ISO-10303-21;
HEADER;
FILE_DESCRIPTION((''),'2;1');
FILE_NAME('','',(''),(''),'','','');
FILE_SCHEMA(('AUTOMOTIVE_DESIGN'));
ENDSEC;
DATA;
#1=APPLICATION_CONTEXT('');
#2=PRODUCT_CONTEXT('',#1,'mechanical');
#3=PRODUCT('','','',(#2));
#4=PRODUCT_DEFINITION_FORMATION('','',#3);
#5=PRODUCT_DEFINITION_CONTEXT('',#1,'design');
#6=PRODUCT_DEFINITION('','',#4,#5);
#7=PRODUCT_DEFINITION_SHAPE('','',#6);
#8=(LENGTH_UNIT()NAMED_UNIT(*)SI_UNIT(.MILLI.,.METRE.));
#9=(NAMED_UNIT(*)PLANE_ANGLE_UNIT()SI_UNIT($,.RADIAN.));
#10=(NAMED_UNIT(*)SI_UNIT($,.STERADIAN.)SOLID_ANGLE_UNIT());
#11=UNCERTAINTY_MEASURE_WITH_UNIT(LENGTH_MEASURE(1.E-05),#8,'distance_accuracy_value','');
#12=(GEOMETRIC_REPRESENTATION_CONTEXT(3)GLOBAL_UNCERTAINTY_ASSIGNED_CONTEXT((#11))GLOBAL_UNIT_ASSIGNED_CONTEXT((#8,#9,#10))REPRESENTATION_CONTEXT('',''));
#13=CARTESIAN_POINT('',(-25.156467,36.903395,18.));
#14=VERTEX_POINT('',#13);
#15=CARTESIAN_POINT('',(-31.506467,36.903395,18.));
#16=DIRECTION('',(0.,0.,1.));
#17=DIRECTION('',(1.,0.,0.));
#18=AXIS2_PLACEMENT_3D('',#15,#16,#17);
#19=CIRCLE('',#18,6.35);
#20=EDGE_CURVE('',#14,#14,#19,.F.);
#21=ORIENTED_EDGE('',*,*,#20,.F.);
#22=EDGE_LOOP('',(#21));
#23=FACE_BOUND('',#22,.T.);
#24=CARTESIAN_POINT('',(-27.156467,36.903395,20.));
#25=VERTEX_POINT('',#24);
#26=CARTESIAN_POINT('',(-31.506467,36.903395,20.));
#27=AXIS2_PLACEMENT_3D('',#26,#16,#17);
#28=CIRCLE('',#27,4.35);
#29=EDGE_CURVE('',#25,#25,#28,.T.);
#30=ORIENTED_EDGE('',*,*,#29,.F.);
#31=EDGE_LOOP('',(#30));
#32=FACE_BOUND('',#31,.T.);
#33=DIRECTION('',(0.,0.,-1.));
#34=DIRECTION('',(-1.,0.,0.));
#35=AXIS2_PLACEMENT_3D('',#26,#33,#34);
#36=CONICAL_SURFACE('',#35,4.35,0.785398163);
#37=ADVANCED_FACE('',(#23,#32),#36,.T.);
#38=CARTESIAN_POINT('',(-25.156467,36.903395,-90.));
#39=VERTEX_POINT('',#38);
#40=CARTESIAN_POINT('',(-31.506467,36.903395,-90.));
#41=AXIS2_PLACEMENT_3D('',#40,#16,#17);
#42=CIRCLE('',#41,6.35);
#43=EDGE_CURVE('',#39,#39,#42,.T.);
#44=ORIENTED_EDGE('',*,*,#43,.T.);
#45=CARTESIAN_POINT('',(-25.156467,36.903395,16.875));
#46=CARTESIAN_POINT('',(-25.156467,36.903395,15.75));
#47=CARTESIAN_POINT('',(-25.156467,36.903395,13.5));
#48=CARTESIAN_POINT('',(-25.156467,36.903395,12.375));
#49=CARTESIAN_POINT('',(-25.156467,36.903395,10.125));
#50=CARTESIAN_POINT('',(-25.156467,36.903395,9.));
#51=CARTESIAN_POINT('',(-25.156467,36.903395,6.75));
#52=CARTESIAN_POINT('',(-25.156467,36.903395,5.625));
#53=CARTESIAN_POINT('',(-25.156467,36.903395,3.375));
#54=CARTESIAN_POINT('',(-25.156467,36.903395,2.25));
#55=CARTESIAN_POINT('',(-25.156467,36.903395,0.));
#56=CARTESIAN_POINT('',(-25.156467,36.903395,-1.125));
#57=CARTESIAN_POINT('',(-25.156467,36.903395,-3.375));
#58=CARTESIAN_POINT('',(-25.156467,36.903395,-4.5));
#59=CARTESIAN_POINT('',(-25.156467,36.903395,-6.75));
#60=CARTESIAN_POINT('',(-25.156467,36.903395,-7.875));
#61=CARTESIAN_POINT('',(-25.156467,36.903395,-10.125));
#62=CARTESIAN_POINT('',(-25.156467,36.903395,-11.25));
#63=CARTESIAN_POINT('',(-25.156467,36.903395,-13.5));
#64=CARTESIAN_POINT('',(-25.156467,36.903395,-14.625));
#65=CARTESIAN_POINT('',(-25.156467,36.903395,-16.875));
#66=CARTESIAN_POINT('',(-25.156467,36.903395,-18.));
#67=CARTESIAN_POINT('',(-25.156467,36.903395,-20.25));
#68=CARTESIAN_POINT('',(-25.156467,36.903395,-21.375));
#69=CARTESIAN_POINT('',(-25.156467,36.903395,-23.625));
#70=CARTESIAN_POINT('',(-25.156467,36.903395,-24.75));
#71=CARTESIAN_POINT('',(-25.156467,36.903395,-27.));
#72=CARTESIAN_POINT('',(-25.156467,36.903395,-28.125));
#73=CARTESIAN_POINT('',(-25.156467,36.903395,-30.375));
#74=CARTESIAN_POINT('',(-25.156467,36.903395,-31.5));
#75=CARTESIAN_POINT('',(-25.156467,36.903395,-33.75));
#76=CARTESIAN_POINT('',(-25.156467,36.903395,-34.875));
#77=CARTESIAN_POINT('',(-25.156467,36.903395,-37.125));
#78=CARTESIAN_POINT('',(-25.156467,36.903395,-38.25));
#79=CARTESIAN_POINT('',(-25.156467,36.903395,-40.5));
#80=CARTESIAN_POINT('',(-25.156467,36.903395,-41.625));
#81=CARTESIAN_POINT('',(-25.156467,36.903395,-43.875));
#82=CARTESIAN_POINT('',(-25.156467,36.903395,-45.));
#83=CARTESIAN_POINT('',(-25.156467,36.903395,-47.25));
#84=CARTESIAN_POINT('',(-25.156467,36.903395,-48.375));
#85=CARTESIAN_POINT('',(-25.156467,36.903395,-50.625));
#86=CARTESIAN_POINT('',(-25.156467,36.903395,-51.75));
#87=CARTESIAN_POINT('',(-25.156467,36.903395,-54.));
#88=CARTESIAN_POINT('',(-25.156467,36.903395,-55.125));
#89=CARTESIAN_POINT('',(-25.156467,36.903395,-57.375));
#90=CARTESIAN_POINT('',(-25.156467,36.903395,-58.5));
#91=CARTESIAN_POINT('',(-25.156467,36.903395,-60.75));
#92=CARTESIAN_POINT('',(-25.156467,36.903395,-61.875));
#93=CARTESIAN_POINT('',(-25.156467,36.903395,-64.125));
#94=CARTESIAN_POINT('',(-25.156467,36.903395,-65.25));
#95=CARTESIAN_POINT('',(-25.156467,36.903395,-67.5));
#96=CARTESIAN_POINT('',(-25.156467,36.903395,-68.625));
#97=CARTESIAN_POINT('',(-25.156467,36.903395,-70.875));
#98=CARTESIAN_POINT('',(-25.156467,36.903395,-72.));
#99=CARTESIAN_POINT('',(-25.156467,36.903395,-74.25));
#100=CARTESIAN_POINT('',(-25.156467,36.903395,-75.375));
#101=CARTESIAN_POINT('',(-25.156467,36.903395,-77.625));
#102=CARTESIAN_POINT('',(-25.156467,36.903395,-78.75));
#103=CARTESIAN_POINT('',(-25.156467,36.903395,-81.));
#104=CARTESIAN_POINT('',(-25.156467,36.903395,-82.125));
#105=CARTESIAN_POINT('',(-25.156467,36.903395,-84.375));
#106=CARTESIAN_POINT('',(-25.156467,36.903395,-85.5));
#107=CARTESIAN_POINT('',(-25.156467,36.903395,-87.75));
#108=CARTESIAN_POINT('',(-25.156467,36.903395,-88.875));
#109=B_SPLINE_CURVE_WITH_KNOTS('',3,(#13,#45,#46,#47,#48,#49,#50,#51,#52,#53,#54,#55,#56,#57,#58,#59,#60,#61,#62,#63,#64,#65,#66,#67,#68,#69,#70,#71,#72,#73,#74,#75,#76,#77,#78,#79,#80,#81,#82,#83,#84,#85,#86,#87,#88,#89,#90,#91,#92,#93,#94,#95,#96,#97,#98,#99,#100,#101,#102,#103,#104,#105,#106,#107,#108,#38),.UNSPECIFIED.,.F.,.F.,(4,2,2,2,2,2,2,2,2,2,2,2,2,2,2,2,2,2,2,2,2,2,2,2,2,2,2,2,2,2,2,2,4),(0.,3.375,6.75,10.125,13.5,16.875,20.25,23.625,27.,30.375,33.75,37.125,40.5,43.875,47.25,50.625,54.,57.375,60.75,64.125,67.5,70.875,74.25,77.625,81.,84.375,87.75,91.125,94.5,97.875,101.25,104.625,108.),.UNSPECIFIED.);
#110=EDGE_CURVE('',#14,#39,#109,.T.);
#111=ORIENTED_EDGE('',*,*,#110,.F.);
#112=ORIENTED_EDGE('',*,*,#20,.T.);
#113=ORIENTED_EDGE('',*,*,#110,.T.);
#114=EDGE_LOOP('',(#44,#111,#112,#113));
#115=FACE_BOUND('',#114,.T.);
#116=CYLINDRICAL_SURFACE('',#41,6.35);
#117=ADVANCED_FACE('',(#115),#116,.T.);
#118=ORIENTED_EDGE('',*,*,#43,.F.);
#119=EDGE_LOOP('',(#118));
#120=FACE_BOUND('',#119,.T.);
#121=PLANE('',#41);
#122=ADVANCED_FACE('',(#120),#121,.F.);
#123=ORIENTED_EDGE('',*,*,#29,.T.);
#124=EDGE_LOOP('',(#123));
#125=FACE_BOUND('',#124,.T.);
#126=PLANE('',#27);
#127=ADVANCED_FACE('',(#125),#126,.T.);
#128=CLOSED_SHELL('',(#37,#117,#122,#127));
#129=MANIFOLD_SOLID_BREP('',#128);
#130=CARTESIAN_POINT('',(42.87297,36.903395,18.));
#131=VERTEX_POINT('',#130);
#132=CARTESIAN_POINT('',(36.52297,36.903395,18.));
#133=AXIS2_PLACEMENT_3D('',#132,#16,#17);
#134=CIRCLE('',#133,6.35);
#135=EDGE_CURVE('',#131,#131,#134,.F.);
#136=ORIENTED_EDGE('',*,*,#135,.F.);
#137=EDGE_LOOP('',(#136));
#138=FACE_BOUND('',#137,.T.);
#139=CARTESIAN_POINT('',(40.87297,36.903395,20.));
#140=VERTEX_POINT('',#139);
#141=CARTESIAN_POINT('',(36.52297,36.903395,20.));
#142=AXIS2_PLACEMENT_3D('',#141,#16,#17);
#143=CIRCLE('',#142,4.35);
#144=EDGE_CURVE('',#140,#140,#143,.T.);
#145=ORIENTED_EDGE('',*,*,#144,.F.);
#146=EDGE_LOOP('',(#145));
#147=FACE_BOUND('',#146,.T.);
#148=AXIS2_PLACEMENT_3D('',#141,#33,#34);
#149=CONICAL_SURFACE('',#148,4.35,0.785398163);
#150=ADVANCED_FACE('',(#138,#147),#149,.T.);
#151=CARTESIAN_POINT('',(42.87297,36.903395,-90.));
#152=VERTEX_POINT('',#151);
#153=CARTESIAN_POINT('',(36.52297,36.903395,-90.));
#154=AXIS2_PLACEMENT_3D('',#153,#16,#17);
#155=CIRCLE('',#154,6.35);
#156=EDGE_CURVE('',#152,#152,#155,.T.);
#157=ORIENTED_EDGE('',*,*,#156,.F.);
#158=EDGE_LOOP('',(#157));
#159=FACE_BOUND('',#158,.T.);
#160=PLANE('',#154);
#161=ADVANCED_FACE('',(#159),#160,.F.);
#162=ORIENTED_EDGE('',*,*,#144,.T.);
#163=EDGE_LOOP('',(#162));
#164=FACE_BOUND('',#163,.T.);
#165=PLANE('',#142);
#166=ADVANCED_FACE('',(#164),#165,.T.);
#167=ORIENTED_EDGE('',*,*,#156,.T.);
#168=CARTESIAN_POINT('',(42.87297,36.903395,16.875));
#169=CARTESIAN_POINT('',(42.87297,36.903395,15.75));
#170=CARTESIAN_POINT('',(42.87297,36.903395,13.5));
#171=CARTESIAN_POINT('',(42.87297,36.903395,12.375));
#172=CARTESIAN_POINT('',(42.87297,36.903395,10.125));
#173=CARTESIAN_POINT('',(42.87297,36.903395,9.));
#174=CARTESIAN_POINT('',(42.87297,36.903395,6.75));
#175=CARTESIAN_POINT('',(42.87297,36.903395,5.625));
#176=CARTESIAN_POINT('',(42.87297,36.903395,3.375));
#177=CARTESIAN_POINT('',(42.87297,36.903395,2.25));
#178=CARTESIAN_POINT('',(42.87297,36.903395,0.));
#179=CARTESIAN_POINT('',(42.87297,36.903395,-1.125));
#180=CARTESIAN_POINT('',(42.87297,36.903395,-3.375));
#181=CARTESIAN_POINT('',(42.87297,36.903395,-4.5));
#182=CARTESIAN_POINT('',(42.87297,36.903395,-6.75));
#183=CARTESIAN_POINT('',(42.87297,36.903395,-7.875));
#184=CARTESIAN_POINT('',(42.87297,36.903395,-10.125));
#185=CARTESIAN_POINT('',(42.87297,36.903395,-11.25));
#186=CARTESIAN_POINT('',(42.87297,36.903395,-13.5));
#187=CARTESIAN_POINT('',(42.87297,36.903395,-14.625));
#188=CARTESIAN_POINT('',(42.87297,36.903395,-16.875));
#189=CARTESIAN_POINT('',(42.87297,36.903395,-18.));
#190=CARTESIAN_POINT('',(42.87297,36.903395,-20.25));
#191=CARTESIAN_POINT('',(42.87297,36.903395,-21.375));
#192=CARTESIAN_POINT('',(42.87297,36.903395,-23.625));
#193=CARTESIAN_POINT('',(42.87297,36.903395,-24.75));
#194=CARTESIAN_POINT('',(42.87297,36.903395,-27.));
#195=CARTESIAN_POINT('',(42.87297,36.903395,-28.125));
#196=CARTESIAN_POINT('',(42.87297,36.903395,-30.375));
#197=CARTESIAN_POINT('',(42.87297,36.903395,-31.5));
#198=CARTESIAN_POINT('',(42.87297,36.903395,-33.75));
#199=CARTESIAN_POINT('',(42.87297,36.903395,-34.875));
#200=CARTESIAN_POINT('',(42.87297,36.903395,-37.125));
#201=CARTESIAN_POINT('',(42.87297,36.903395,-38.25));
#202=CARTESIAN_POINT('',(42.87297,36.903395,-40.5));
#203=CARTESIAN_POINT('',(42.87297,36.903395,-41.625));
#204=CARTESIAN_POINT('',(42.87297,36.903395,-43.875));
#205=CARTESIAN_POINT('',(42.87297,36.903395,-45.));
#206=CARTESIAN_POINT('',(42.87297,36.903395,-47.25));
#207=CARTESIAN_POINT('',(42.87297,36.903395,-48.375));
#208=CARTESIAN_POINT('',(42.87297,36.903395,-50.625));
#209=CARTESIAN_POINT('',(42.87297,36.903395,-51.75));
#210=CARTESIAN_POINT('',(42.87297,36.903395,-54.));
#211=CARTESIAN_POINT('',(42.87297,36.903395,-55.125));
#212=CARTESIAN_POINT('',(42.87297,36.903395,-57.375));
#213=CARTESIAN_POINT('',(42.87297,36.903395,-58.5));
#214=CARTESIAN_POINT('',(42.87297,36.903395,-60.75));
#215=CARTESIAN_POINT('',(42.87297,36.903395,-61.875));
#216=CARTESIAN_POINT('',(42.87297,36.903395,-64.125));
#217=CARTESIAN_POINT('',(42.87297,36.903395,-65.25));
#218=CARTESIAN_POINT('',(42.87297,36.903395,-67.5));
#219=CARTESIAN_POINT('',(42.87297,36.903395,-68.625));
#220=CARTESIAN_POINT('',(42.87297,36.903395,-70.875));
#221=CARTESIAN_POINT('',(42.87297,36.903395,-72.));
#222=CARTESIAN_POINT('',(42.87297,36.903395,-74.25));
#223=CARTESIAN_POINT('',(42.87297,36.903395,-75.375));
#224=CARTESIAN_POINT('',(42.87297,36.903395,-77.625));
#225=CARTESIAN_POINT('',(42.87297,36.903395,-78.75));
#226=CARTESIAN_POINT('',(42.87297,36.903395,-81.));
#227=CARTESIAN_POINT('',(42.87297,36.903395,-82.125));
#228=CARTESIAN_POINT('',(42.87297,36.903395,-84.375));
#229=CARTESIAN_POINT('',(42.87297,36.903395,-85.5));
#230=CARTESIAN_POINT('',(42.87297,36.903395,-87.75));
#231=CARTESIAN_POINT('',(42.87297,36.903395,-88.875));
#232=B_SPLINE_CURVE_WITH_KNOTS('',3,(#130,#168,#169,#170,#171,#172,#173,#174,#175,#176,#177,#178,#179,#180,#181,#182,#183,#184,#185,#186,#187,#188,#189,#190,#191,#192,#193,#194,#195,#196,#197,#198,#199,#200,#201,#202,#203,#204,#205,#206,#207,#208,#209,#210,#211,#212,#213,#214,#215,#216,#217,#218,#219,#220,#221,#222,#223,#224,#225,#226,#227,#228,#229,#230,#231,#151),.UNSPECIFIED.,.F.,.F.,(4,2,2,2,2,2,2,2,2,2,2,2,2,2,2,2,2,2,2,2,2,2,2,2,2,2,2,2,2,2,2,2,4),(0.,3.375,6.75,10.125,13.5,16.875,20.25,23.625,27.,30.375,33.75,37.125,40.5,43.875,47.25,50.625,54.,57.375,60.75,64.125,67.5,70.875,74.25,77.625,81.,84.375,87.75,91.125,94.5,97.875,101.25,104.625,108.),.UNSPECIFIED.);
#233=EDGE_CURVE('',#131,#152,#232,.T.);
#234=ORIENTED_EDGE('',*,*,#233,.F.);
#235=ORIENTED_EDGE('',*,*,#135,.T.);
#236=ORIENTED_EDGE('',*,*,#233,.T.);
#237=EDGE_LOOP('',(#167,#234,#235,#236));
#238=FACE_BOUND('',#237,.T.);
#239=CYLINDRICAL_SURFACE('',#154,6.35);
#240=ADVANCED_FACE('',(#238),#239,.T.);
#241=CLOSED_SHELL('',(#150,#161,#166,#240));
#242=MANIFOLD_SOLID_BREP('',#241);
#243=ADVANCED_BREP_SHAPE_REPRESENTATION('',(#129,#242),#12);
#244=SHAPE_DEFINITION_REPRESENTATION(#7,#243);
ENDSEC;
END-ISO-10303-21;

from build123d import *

# Parameters (mm, degrees)
BOSS_EXTRUDE1_DEPTH        = 20
BOSS_EXTRUDE1_DEPTH_BACK   = 90
SKETCH1_R                  = 6.35
BOSS_EXTRUDE1_2_DEPTH      = 20
BOSS_EXTRUDE1_2_DEPTH_BACK = 90
CHAMFER3_SIZE              = 2
CHAMFER4_SIZE              = 2


with BuildPart() as part:
    # Sketch1 → Boss-Extrude1 (new, two sides: drawn at the far end of the back side and taken through both)
    with BuildSketch(Plane.XY.offset(-BOSS_EXTRUDE1_DEPTH_BACK)):
        with Locations((-31.506467261, 36.903395316)):
            Circle(SKETCH1_R)
    extrude(amount=BOSS_EXTRUDE1_DEPTH + BOSS_EXTRUDE1_DEPTH_BACK)

    # Chamfer3
    chamfer3_edges = [part.edges().sort_by_distance(p)[0] for p in [
        (-37.856467261, 36.903395316, 20),
    ]]
    chamfer(chamfer3_edges, length=CHAMFER3_SIZE)


with BuildPart() as body_2:
    # Sketch1 → Boss-Extrude1 2 (new, two sides: drawn at the far end of the back side and taken through both)
    with BuildSketch(Plane.XY.offset(-BOSS_EXTRUDE1_2_DEPTH_BACK)):
        with Locations((36.522969991, 36.903395316)):
            Circle(SKETCH1_R)
    extrude(amount=BOSS_EXTRUDE1_2_DEPTH + BOSS_EXTRUDE1_2_DEPTH_BACK)

    # Chamfer4
    chamfer4_edges = [body_2.edges().sort_by_distance(p)[0] for p in [
        (30.172969991, 36.903395316, 20),
    ]]
    chamfer(chamfer4_edges, length=CHAMFER4_SIZE)


solid = Compound([part.part, body_2.part])
